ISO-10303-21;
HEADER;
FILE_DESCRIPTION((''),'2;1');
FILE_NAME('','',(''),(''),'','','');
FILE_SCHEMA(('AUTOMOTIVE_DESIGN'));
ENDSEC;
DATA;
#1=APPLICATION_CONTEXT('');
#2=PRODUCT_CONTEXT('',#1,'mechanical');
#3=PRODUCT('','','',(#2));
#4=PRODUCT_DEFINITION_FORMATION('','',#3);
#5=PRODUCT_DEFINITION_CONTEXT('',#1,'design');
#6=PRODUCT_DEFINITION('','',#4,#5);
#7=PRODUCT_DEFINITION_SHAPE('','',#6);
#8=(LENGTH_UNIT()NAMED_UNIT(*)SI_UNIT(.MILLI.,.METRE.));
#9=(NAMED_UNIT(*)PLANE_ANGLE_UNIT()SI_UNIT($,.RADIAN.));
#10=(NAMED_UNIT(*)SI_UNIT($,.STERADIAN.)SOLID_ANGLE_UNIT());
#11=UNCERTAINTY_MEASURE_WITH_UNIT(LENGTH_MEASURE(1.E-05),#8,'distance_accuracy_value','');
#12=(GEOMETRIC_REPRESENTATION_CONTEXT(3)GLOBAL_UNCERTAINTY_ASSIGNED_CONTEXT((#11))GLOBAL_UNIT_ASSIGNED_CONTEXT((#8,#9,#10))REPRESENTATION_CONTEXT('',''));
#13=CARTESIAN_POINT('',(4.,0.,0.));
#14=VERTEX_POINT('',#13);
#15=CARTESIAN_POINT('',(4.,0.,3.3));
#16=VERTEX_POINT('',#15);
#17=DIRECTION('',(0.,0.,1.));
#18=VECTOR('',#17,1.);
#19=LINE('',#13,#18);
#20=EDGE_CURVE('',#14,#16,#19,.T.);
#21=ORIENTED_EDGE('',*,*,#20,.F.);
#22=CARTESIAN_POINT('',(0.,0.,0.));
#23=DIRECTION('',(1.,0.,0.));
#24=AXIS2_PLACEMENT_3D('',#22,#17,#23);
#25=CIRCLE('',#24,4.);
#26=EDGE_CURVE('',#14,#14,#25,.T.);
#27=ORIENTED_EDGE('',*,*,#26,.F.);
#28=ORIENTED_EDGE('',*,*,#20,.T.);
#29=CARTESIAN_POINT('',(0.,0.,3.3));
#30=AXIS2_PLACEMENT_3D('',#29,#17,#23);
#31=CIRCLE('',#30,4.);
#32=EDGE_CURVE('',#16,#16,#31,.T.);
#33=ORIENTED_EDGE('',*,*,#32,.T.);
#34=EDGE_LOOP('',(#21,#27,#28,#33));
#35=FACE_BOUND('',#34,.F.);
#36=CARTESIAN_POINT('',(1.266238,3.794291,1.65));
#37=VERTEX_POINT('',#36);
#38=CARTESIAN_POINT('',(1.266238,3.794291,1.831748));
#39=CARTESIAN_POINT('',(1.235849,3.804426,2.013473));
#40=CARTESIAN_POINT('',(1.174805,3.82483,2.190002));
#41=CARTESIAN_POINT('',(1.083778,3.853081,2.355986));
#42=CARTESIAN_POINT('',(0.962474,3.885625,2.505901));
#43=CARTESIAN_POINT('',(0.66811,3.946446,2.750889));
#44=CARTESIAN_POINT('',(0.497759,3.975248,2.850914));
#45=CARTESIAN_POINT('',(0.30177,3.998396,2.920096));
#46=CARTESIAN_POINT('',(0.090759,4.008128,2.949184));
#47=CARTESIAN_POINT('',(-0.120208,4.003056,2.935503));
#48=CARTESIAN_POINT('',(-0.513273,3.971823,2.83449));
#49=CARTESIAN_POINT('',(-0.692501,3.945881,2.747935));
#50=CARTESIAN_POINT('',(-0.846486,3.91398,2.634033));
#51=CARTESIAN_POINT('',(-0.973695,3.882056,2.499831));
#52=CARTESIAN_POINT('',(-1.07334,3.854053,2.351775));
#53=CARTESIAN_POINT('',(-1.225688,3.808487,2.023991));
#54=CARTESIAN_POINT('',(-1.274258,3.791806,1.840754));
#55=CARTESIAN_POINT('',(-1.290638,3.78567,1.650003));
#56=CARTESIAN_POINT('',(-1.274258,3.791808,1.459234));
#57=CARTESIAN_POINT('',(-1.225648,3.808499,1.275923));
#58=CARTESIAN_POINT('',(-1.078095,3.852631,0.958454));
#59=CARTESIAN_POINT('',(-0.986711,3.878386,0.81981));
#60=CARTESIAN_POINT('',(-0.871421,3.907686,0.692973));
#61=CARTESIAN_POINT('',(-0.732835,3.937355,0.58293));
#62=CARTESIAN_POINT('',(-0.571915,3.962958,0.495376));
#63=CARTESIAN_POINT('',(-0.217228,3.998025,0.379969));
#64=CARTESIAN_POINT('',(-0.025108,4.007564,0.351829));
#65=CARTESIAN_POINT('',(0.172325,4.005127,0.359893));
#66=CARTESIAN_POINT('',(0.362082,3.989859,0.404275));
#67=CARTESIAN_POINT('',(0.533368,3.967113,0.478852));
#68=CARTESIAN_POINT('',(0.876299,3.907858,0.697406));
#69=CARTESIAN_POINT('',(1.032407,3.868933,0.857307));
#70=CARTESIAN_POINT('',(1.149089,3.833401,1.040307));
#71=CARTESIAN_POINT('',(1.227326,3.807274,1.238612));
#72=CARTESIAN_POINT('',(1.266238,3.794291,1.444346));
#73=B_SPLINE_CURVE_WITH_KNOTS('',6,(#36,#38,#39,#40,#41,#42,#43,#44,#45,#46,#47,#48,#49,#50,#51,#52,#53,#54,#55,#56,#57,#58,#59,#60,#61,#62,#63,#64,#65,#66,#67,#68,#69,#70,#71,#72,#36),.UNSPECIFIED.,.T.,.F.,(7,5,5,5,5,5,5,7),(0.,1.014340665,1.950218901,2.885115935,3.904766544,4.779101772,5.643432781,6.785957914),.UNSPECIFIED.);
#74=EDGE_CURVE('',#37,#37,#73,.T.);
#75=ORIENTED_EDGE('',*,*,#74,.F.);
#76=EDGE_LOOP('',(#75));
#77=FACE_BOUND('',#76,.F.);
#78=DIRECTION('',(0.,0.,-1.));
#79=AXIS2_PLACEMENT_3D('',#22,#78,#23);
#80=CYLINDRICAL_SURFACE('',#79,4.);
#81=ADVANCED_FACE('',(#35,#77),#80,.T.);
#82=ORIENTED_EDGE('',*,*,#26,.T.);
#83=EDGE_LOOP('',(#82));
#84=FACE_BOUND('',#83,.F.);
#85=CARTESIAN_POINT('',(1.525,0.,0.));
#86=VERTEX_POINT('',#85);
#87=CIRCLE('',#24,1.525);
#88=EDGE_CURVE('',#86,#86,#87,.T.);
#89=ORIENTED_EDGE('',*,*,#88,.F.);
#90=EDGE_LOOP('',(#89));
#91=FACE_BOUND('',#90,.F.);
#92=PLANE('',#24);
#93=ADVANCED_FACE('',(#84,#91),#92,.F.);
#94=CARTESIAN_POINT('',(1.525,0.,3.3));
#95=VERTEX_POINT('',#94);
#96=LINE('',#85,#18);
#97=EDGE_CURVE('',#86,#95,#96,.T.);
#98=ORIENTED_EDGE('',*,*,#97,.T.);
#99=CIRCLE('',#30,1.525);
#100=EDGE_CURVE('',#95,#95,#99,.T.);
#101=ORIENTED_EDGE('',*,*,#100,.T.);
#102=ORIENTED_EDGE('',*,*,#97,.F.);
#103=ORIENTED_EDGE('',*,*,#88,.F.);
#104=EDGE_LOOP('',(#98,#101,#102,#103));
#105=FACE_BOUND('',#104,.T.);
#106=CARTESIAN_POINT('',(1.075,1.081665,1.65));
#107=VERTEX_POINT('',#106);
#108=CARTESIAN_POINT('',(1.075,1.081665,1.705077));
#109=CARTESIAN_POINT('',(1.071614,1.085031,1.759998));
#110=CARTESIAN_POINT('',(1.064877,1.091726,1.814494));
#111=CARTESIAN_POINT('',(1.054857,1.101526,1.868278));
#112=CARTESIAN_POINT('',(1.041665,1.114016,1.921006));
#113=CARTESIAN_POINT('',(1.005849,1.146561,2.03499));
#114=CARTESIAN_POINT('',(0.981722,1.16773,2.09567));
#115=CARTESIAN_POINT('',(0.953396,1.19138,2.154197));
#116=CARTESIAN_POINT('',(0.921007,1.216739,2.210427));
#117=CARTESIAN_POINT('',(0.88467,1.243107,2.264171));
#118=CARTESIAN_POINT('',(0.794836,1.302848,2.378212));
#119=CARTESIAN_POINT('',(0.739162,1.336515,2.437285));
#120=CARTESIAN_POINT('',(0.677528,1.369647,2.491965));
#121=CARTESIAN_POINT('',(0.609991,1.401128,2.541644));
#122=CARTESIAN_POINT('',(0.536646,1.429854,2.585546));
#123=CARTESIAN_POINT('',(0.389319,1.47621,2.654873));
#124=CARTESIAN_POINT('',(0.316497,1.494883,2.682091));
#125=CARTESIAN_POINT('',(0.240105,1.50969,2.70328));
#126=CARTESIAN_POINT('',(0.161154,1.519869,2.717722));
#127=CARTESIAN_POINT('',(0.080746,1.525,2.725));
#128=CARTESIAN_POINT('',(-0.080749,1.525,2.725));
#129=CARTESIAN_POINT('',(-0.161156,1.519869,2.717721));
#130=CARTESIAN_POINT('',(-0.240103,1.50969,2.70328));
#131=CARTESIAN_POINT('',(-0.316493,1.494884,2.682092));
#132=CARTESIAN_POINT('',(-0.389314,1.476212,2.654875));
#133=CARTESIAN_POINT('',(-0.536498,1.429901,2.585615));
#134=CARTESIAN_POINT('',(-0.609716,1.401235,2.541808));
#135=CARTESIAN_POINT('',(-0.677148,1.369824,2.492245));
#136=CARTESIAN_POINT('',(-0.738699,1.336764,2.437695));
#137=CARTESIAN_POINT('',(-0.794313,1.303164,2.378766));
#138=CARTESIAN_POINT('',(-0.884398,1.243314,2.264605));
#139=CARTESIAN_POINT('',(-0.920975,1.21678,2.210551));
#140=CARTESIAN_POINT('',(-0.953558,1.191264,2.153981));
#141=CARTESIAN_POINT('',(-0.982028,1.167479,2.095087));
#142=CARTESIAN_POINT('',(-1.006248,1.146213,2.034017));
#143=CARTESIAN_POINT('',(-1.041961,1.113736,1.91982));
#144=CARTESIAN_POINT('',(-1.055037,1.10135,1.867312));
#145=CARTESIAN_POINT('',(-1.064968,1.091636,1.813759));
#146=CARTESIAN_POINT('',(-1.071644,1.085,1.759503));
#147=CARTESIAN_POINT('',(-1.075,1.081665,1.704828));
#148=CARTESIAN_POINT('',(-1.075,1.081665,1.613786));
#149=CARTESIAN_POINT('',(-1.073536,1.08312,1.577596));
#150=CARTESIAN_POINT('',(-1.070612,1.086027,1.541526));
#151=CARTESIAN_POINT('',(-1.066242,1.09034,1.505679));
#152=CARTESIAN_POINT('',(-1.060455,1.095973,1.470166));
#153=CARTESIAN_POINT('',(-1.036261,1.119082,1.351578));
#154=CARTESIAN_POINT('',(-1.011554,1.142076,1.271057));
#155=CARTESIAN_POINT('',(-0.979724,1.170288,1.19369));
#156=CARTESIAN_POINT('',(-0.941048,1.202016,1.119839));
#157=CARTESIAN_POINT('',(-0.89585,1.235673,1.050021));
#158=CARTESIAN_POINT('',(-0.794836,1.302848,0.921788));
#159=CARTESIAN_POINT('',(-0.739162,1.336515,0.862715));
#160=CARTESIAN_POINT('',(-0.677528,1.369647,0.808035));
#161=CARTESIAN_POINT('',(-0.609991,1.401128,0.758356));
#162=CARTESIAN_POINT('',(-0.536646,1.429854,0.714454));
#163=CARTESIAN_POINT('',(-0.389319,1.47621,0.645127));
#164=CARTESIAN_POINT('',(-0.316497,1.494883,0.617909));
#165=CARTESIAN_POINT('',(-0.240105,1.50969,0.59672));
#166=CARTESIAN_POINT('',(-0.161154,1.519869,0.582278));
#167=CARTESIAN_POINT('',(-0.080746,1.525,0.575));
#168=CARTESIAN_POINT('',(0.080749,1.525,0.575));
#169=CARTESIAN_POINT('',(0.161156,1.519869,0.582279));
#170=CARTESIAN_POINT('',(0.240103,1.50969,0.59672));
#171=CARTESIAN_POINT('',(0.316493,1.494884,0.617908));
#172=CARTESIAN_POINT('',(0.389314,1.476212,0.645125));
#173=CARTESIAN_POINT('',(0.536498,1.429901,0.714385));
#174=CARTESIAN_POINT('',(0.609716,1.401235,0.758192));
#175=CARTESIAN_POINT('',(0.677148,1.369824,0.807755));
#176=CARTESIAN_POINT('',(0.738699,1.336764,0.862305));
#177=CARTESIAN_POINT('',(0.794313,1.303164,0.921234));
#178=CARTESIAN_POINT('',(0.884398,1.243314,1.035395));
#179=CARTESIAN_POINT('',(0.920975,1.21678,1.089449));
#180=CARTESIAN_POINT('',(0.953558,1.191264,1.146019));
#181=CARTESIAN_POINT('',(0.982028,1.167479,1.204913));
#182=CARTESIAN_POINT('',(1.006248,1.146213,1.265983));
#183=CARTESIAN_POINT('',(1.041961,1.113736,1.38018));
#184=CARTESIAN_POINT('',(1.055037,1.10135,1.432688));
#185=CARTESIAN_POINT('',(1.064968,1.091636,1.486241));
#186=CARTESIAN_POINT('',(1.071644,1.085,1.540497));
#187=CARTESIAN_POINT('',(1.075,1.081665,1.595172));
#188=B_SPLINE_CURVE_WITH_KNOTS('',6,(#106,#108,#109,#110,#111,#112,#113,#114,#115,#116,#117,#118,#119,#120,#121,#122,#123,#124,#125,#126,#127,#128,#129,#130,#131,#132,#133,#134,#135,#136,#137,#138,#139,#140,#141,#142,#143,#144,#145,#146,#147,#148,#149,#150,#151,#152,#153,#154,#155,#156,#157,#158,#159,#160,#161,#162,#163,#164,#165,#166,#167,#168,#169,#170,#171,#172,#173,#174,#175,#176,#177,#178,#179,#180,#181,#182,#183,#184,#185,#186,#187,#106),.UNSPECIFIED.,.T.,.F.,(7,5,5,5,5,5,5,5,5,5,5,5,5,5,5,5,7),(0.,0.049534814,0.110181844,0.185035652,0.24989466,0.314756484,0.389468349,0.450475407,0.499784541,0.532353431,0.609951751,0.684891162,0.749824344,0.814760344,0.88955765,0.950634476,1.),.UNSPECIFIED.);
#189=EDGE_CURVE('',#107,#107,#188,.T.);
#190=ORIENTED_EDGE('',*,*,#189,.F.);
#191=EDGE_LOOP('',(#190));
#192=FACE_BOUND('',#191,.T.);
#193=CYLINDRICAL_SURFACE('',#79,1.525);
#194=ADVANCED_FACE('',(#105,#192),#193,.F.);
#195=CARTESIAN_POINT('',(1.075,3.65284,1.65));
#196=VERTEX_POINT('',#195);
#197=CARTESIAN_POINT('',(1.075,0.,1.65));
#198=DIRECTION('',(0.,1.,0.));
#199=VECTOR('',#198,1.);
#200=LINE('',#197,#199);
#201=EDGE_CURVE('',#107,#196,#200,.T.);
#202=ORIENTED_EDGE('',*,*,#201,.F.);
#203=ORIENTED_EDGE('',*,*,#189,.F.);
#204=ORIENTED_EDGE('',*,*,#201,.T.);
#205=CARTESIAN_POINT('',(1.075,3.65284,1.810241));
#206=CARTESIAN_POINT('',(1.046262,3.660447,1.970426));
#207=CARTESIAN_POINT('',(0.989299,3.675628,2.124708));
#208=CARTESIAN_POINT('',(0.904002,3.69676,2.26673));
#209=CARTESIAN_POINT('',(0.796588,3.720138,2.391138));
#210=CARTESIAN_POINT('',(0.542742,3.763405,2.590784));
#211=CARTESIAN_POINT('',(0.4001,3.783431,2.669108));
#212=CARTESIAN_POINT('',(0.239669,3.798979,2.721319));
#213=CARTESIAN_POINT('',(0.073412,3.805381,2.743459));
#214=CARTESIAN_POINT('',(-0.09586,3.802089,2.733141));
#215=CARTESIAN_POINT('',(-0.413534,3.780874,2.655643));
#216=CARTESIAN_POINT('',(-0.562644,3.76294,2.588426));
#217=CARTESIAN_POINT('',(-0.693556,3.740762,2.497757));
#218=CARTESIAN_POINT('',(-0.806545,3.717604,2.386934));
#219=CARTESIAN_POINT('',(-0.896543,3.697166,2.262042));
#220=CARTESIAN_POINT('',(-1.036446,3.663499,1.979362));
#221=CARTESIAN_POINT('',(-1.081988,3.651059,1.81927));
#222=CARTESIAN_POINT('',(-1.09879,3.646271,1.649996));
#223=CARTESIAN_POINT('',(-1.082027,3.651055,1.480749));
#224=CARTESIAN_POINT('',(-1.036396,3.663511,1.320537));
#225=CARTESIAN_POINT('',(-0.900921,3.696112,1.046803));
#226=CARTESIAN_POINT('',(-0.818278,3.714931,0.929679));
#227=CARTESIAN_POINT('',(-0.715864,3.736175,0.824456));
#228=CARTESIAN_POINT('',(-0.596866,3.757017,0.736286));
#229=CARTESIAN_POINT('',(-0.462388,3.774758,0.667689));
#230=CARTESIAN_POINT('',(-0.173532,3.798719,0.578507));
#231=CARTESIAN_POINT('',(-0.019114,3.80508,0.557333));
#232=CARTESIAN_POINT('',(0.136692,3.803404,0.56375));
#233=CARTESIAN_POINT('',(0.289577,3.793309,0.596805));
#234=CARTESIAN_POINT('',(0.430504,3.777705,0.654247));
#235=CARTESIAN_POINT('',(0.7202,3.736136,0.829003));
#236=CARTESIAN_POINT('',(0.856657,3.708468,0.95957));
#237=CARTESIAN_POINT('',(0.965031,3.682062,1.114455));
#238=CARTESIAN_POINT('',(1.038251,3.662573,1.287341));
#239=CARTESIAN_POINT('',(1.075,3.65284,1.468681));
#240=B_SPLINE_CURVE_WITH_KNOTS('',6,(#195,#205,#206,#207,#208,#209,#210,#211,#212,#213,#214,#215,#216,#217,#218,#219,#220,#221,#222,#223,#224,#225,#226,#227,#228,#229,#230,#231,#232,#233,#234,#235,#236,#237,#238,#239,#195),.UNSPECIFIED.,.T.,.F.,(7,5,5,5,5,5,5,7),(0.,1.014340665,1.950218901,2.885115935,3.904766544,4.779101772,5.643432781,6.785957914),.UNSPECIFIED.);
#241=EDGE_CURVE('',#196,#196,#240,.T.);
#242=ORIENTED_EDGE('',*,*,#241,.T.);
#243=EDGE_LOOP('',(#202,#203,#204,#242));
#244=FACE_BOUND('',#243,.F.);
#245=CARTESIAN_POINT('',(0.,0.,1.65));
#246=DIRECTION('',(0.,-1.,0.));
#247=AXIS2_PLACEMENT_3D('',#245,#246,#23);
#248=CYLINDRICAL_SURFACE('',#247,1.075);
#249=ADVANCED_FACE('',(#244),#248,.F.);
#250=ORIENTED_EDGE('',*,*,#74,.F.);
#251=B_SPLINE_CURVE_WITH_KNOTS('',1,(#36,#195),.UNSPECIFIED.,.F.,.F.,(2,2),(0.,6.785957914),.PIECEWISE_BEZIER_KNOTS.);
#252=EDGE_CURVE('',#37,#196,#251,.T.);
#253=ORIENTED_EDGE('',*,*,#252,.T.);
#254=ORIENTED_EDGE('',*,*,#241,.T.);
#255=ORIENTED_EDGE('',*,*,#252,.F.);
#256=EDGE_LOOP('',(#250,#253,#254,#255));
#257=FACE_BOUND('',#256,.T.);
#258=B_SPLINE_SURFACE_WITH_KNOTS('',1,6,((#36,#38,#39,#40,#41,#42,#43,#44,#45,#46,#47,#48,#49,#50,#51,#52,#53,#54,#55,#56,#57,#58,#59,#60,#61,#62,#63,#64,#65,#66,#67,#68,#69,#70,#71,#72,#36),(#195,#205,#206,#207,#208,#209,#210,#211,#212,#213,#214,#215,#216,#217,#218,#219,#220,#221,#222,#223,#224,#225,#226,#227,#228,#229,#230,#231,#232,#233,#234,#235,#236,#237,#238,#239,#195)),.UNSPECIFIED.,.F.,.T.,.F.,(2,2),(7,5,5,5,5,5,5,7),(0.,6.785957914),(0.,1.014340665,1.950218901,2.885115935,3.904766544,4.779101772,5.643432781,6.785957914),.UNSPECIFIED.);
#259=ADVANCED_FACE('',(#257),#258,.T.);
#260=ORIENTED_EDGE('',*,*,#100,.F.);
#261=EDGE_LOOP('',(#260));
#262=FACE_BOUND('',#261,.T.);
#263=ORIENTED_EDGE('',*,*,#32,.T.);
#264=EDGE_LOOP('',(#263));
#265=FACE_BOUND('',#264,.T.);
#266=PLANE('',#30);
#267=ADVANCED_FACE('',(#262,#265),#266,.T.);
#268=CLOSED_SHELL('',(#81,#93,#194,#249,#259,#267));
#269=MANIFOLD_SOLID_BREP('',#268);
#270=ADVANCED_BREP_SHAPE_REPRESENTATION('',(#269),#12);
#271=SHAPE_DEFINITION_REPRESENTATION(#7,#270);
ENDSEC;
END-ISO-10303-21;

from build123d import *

# Parameters (mm, degrees)
SKETCH_R     = 4
SKETCH_R_2   = 1.525
PAD_DEPTH    = 3.3
SKETCH001_R  = 1.075
HOLE_DEPTH   = 5
CHAMFER_SIZE = 0.2


with BuildPart() as part:
    # Sketch → Pad (new body)
    with BuildSketch(Plane.XY):
        Circle(SKETCH_R)
        Circle(SKETCH_R_2, mode=Mode.SUBTRACT)
    extrude(amount=PAD_DEPTH)

    # Sketch001 → Hole (cut)
    with BuildSketch(Plane.XZ):
        with Locations((0, 1.65)):
            Circle(SKETCH001_R)
    extrude(amount=-HOLE_DEPTH, mode=Mode.SUBTRACT)

    # Chamfer
    chamfer_edges = [part.edges().sort_by_distance(p)[0] for p in [
        (1.075, 3.85284, 1.65),
    ]]
    chamfer(chamfer_edges, length=CHAMFER_SIZE)


solid = part.part
